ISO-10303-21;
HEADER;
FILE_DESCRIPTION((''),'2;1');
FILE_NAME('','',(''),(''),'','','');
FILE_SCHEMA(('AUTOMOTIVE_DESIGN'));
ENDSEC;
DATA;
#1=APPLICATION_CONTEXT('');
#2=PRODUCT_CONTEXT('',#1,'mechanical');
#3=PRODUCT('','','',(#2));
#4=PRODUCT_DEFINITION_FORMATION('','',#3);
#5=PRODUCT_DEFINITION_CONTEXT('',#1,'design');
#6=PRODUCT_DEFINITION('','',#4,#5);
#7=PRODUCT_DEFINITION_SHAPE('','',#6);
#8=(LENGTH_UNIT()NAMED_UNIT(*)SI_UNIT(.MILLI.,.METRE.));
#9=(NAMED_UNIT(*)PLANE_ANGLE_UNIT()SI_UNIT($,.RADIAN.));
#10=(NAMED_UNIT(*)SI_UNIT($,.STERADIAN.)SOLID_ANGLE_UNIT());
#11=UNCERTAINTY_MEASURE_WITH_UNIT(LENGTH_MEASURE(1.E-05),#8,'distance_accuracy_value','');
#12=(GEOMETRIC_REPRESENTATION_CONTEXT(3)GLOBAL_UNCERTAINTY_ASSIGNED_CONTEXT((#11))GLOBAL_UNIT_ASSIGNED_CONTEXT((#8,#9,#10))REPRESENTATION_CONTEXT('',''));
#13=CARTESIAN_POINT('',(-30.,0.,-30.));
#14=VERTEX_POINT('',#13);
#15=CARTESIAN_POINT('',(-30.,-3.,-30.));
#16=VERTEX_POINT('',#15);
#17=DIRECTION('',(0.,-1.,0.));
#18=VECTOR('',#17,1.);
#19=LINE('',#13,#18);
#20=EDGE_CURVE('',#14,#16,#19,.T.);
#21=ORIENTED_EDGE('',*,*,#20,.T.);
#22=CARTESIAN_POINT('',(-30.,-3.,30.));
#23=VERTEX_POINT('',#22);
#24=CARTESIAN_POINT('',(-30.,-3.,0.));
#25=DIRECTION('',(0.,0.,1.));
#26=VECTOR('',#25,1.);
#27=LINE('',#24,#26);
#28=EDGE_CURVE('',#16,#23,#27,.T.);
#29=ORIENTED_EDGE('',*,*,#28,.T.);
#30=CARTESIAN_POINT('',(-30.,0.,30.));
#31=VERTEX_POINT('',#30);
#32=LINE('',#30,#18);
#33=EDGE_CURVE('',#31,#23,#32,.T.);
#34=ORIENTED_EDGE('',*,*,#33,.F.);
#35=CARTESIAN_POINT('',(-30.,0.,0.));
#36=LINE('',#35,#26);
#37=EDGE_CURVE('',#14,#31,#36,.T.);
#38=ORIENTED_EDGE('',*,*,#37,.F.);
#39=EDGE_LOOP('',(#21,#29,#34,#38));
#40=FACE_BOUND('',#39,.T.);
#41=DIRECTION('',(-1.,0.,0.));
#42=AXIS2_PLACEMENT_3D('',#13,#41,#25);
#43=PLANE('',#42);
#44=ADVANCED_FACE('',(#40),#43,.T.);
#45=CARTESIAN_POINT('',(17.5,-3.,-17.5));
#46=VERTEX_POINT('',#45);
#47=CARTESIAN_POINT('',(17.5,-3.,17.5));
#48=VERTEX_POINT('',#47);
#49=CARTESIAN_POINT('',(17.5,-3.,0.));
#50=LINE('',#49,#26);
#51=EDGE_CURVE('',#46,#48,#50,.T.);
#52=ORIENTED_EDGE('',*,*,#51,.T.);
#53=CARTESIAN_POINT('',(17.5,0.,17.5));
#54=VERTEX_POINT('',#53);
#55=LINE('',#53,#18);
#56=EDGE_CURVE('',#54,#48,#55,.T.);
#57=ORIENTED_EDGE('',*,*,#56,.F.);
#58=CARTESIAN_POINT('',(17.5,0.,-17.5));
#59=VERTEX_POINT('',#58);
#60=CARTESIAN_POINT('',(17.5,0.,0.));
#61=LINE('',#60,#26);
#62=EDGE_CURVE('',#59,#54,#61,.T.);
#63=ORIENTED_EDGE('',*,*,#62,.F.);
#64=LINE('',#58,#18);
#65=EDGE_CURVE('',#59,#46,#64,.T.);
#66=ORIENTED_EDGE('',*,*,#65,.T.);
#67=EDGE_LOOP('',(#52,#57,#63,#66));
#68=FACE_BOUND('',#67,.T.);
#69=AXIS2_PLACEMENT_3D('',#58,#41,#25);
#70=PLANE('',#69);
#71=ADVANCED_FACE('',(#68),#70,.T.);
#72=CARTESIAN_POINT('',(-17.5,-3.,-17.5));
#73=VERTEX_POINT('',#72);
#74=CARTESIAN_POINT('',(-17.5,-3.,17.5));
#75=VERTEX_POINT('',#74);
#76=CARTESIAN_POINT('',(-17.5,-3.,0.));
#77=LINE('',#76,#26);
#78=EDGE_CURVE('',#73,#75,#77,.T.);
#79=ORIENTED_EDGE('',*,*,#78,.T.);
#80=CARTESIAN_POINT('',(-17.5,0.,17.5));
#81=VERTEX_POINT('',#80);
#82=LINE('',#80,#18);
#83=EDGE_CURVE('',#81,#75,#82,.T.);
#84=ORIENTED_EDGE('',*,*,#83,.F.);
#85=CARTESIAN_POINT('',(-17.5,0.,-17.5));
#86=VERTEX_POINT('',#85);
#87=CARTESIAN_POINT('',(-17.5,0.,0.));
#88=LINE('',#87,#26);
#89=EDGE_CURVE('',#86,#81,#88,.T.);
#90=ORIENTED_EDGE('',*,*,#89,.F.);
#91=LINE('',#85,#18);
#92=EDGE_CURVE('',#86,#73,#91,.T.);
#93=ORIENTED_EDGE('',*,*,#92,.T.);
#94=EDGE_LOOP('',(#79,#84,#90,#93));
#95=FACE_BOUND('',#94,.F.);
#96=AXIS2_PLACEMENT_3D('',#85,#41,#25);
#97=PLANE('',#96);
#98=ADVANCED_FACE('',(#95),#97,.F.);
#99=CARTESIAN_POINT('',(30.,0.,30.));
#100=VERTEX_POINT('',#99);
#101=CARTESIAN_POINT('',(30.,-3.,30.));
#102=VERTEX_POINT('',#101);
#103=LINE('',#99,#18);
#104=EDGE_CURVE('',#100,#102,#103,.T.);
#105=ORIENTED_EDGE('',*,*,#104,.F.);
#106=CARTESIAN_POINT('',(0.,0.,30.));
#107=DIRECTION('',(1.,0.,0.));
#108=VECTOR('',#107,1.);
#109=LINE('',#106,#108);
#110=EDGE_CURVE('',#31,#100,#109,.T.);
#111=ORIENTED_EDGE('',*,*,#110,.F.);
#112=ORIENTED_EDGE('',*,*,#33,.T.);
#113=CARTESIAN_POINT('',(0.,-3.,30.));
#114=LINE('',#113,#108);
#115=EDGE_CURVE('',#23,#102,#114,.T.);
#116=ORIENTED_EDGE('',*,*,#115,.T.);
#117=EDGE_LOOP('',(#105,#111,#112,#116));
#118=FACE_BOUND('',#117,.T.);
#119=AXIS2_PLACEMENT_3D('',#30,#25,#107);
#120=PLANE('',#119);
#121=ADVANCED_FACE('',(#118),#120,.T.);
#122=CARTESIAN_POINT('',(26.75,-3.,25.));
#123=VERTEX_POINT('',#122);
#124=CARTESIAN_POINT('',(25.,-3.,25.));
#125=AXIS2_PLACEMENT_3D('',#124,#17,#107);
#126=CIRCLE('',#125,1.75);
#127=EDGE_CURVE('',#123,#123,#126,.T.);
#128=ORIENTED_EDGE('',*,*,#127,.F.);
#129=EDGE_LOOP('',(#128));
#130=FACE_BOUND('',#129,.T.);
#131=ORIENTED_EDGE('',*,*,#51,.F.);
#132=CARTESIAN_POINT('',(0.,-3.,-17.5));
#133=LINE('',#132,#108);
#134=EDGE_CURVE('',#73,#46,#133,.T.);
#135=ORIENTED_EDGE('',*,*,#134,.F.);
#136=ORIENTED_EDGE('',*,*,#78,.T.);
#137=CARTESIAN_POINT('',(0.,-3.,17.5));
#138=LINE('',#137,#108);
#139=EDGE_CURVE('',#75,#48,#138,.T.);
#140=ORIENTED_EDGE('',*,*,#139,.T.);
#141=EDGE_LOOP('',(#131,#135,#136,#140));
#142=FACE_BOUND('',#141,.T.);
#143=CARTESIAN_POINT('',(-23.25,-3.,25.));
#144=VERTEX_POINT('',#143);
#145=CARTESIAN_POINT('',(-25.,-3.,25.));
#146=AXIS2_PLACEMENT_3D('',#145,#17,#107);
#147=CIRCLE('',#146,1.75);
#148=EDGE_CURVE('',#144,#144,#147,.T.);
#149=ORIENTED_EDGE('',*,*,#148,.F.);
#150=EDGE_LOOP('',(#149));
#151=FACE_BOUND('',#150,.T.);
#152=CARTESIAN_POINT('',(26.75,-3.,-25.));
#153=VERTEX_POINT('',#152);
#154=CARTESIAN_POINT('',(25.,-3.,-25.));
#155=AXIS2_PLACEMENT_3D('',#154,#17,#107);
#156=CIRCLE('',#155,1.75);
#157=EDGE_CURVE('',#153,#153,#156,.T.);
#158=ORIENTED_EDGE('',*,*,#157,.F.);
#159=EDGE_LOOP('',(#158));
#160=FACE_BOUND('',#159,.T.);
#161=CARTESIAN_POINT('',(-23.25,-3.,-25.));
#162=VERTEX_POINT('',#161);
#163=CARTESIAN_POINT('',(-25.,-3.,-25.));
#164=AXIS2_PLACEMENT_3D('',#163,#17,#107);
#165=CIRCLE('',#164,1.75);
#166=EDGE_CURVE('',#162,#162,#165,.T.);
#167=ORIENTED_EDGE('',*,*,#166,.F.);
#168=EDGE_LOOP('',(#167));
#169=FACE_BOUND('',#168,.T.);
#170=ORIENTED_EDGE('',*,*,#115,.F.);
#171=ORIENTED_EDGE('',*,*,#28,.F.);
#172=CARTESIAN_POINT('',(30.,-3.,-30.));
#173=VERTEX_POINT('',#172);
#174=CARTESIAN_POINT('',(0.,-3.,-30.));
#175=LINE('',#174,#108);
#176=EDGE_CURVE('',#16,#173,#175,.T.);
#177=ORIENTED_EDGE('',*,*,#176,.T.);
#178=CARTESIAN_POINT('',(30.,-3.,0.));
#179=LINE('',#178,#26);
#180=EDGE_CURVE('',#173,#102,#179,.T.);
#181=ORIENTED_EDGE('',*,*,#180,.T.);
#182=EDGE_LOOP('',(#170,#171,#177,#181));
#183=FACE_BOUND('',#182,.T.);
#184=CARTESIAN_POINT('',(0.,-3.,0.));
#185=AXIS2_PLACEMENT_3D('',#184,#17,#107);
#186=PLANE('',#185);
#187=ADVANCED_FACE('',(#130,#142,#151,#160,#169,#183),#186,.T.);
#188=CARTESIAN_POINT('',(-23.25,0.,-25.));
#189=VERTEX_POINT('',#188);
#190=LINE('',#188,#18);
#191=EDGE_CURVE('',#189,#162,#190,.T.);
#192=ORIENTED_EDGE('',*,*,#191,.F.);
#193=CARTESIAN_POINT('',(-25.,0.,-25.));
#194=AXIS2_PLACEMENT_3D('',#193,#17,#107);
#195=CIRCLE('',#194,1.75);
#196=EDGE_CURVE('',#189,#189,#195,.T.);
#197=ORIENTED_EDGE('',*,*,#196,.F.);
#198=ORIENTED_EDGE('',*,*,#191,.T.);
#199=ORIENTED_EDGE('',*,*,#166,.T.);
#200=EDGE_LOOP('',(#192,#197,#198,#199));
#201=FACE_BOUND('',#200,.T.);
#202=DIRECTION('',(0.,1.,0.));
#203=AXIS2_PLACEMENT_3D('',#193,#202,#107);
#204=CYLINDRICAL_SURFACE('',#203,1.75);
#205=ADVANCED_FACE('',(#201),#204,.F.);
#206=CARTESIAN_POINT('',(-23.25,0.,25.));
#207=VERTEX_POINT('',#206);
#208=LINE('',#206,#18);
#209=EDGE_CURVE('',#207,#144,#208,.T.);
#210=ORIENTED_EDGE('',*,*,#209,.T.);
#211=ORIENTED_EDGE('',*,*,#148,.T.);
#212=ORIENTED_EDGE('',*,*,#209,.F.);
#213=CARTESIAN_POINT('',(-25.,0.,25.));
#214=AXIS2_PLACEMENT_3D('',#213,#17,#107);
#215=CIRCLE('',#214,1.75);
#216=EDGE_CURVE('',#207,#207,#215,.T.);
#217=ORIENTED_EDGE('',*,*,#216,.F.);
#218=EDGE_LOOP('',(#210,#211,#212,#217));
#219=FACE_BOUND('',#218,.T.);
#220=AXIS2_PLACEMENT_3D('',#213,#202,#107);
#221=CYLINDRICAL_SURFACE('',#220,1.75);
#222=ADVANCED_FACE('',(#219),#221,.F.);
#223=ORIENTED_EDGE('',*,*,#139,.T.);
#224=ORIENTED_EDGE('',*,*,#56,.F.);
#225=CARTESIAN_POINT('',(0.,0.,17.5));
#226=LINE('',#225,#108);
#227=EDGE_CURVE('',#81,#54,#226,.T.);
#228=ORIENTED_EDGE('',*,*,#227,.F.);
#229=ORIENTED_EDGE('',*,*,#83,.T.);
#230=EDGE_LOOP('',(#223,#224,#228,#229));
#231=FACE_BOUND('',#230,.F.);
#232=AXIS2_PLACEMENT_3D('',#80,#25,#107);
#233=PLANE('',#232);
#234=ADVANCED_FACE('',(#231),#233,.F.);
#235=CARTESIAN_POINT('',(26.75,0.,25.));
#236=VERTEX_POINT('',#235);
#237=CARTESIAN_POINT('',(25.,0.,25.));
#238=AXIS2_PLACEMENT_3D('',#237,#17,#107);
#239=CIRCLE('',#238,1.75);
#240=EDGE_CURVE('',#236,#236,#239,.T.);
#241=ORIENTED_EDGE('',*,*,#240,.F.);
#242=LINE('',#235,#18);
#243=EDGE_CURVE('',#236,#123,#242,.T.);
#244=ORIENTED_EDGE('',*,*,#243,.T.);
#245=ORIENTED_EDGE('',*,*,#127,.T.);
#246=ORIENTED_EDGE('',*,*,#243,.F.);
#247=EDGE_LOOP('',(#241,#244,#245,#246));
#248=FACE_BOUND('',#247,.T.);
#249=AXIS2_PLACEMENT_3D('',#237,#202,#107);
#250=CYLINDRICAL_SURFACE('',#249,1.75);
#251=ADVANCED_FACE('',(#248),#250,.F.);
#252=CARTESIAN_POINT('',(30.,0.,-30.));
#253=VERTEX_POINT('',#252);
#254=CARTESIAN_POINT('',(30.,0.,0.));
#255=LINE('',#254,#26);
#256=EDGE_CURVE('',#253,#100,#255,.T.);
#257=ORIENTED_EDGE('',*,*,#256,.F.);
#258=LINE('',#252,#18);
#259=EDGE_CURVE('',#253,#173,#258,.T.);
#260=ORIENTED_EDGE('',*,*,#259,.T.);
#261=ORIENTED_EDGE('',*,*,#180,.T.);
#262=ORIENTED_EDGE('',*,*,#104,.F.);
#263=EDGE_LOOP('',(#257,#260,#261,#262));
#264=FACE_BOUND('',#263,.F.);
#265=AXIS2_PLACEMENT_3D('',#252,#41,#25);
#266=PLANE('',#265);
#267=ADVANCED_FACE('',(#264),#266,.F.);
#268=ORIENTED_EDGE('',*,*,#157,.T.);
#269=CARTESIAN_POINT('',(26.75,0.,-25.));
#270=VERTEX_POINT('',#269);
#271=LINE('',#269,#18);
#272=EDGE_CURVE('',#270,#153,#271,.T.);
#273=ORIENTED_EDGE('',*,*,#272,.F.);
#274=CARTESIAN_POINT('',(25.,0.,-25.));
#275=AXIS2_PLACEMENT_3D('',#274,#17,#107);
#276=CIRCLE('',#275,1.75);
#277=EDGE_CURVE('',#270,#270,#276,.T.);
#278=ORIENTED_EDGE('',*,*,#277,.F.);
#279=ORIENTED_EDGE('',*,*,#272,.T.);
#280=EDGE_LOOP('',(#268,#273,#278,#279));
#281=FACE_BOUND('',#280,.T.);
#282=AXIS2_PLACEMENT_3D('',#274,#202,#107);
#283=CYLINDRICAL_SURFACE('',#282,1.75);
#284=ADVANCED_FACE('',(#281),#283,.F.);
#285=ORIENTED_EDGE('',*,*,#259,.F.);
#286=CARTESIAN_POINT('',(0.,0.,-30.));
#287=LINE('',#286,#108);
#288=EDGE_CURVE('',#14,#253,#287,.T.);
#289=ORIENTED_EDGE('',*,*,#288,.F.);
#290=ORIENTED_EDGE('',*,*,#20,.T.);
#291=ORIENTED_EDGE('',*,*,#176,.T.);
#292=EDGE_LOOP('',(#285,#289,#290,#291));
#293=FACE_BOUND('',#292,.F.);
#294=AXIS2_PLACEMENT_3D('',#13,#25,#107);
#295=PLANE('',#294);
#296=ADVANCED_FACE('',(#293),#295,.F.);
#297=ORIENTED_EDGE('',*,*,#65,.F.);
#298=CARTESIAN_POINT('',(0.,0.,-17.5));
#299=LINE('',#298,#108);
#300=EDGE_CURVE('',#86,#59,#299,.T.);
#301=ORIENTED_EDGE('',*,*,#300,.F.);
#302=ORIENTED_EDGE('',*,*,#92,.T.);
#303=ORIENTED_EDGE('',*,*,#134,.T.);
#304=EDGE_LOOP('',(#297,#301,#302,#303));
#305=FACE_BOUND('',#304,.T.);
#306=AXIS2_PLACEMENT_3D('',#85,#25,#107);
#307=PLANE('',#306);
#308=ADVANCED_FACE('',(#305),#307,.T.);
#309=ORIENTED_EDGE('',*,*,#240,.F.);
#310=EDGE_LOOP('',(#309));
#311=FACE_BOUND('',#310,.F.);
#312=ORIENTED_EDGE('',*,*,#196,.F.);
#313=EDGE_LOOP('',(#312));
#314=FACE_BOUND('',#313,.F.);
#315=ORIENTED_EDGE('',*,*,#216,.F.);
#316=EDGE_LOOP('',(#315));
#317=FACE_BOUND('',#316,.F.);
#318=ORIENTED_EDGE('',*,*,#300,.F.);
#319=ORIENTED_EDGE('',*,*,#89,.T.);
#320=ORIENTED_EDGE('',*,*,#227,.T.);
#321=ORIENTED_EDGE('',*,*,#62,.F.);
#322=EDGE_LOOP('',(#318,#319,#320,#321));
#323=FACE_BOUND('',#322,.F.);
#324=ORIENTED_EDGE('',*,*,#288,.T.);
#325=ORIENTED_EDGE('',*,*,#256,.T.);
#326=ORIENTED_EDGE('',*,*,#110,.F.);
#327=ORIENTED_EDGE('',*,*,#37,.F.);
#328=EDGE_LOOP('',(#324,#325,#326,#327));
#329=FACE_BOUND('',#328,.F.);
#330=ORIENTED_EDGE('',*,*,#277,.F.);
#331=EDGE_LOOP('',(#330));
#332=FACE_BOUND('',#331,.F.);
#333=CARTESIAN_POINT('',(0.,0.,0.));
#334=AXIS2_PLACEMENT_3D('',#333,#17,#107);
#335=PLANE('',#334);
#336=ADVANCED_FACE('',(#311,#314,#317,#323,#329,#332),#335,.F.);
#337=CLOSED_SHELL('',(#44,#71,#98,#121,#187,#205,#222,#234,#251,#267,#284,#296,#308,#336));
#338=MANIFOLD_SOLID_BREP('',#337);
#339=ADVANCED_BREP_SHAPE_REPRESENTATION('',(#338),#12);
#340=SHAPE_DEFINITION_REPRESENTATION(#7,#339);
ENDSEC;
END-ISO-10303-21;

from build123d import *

# Parameters (mm, degrees)
F0_W     = 60
F0_H     = 60
F0_R     = 1.75
F0_W_2   = 35
F0_H_2   = 35
F1_DEPTH = 3


with BuildPart() as f1:
    # F0 (on Front) → F1 (new body)
    with BuildSketch(Plane.XZ):
        Rectangle(F0_W, F0_H)
        with Locations((-25, -25)):
            Circle(F0_R, mode=Mode.SUBTRACT)
        with Locations((25, -25)):
            Circle(F0_R, mode=Mode.SUBTRACT)
        with Locations((-25, 25)):
            Circle(F0_R, mode=Mode.SUBTRACT)
        Rectangle(F0_W_2, F0_H_2, mode=Mode.SUBTRACT)
        with Locations((25, 25)):
            Circle(F0_R, mode=Mode.SUBTRACT)
    extrude(amount=F1_DEPTH)


solid = f1.part
